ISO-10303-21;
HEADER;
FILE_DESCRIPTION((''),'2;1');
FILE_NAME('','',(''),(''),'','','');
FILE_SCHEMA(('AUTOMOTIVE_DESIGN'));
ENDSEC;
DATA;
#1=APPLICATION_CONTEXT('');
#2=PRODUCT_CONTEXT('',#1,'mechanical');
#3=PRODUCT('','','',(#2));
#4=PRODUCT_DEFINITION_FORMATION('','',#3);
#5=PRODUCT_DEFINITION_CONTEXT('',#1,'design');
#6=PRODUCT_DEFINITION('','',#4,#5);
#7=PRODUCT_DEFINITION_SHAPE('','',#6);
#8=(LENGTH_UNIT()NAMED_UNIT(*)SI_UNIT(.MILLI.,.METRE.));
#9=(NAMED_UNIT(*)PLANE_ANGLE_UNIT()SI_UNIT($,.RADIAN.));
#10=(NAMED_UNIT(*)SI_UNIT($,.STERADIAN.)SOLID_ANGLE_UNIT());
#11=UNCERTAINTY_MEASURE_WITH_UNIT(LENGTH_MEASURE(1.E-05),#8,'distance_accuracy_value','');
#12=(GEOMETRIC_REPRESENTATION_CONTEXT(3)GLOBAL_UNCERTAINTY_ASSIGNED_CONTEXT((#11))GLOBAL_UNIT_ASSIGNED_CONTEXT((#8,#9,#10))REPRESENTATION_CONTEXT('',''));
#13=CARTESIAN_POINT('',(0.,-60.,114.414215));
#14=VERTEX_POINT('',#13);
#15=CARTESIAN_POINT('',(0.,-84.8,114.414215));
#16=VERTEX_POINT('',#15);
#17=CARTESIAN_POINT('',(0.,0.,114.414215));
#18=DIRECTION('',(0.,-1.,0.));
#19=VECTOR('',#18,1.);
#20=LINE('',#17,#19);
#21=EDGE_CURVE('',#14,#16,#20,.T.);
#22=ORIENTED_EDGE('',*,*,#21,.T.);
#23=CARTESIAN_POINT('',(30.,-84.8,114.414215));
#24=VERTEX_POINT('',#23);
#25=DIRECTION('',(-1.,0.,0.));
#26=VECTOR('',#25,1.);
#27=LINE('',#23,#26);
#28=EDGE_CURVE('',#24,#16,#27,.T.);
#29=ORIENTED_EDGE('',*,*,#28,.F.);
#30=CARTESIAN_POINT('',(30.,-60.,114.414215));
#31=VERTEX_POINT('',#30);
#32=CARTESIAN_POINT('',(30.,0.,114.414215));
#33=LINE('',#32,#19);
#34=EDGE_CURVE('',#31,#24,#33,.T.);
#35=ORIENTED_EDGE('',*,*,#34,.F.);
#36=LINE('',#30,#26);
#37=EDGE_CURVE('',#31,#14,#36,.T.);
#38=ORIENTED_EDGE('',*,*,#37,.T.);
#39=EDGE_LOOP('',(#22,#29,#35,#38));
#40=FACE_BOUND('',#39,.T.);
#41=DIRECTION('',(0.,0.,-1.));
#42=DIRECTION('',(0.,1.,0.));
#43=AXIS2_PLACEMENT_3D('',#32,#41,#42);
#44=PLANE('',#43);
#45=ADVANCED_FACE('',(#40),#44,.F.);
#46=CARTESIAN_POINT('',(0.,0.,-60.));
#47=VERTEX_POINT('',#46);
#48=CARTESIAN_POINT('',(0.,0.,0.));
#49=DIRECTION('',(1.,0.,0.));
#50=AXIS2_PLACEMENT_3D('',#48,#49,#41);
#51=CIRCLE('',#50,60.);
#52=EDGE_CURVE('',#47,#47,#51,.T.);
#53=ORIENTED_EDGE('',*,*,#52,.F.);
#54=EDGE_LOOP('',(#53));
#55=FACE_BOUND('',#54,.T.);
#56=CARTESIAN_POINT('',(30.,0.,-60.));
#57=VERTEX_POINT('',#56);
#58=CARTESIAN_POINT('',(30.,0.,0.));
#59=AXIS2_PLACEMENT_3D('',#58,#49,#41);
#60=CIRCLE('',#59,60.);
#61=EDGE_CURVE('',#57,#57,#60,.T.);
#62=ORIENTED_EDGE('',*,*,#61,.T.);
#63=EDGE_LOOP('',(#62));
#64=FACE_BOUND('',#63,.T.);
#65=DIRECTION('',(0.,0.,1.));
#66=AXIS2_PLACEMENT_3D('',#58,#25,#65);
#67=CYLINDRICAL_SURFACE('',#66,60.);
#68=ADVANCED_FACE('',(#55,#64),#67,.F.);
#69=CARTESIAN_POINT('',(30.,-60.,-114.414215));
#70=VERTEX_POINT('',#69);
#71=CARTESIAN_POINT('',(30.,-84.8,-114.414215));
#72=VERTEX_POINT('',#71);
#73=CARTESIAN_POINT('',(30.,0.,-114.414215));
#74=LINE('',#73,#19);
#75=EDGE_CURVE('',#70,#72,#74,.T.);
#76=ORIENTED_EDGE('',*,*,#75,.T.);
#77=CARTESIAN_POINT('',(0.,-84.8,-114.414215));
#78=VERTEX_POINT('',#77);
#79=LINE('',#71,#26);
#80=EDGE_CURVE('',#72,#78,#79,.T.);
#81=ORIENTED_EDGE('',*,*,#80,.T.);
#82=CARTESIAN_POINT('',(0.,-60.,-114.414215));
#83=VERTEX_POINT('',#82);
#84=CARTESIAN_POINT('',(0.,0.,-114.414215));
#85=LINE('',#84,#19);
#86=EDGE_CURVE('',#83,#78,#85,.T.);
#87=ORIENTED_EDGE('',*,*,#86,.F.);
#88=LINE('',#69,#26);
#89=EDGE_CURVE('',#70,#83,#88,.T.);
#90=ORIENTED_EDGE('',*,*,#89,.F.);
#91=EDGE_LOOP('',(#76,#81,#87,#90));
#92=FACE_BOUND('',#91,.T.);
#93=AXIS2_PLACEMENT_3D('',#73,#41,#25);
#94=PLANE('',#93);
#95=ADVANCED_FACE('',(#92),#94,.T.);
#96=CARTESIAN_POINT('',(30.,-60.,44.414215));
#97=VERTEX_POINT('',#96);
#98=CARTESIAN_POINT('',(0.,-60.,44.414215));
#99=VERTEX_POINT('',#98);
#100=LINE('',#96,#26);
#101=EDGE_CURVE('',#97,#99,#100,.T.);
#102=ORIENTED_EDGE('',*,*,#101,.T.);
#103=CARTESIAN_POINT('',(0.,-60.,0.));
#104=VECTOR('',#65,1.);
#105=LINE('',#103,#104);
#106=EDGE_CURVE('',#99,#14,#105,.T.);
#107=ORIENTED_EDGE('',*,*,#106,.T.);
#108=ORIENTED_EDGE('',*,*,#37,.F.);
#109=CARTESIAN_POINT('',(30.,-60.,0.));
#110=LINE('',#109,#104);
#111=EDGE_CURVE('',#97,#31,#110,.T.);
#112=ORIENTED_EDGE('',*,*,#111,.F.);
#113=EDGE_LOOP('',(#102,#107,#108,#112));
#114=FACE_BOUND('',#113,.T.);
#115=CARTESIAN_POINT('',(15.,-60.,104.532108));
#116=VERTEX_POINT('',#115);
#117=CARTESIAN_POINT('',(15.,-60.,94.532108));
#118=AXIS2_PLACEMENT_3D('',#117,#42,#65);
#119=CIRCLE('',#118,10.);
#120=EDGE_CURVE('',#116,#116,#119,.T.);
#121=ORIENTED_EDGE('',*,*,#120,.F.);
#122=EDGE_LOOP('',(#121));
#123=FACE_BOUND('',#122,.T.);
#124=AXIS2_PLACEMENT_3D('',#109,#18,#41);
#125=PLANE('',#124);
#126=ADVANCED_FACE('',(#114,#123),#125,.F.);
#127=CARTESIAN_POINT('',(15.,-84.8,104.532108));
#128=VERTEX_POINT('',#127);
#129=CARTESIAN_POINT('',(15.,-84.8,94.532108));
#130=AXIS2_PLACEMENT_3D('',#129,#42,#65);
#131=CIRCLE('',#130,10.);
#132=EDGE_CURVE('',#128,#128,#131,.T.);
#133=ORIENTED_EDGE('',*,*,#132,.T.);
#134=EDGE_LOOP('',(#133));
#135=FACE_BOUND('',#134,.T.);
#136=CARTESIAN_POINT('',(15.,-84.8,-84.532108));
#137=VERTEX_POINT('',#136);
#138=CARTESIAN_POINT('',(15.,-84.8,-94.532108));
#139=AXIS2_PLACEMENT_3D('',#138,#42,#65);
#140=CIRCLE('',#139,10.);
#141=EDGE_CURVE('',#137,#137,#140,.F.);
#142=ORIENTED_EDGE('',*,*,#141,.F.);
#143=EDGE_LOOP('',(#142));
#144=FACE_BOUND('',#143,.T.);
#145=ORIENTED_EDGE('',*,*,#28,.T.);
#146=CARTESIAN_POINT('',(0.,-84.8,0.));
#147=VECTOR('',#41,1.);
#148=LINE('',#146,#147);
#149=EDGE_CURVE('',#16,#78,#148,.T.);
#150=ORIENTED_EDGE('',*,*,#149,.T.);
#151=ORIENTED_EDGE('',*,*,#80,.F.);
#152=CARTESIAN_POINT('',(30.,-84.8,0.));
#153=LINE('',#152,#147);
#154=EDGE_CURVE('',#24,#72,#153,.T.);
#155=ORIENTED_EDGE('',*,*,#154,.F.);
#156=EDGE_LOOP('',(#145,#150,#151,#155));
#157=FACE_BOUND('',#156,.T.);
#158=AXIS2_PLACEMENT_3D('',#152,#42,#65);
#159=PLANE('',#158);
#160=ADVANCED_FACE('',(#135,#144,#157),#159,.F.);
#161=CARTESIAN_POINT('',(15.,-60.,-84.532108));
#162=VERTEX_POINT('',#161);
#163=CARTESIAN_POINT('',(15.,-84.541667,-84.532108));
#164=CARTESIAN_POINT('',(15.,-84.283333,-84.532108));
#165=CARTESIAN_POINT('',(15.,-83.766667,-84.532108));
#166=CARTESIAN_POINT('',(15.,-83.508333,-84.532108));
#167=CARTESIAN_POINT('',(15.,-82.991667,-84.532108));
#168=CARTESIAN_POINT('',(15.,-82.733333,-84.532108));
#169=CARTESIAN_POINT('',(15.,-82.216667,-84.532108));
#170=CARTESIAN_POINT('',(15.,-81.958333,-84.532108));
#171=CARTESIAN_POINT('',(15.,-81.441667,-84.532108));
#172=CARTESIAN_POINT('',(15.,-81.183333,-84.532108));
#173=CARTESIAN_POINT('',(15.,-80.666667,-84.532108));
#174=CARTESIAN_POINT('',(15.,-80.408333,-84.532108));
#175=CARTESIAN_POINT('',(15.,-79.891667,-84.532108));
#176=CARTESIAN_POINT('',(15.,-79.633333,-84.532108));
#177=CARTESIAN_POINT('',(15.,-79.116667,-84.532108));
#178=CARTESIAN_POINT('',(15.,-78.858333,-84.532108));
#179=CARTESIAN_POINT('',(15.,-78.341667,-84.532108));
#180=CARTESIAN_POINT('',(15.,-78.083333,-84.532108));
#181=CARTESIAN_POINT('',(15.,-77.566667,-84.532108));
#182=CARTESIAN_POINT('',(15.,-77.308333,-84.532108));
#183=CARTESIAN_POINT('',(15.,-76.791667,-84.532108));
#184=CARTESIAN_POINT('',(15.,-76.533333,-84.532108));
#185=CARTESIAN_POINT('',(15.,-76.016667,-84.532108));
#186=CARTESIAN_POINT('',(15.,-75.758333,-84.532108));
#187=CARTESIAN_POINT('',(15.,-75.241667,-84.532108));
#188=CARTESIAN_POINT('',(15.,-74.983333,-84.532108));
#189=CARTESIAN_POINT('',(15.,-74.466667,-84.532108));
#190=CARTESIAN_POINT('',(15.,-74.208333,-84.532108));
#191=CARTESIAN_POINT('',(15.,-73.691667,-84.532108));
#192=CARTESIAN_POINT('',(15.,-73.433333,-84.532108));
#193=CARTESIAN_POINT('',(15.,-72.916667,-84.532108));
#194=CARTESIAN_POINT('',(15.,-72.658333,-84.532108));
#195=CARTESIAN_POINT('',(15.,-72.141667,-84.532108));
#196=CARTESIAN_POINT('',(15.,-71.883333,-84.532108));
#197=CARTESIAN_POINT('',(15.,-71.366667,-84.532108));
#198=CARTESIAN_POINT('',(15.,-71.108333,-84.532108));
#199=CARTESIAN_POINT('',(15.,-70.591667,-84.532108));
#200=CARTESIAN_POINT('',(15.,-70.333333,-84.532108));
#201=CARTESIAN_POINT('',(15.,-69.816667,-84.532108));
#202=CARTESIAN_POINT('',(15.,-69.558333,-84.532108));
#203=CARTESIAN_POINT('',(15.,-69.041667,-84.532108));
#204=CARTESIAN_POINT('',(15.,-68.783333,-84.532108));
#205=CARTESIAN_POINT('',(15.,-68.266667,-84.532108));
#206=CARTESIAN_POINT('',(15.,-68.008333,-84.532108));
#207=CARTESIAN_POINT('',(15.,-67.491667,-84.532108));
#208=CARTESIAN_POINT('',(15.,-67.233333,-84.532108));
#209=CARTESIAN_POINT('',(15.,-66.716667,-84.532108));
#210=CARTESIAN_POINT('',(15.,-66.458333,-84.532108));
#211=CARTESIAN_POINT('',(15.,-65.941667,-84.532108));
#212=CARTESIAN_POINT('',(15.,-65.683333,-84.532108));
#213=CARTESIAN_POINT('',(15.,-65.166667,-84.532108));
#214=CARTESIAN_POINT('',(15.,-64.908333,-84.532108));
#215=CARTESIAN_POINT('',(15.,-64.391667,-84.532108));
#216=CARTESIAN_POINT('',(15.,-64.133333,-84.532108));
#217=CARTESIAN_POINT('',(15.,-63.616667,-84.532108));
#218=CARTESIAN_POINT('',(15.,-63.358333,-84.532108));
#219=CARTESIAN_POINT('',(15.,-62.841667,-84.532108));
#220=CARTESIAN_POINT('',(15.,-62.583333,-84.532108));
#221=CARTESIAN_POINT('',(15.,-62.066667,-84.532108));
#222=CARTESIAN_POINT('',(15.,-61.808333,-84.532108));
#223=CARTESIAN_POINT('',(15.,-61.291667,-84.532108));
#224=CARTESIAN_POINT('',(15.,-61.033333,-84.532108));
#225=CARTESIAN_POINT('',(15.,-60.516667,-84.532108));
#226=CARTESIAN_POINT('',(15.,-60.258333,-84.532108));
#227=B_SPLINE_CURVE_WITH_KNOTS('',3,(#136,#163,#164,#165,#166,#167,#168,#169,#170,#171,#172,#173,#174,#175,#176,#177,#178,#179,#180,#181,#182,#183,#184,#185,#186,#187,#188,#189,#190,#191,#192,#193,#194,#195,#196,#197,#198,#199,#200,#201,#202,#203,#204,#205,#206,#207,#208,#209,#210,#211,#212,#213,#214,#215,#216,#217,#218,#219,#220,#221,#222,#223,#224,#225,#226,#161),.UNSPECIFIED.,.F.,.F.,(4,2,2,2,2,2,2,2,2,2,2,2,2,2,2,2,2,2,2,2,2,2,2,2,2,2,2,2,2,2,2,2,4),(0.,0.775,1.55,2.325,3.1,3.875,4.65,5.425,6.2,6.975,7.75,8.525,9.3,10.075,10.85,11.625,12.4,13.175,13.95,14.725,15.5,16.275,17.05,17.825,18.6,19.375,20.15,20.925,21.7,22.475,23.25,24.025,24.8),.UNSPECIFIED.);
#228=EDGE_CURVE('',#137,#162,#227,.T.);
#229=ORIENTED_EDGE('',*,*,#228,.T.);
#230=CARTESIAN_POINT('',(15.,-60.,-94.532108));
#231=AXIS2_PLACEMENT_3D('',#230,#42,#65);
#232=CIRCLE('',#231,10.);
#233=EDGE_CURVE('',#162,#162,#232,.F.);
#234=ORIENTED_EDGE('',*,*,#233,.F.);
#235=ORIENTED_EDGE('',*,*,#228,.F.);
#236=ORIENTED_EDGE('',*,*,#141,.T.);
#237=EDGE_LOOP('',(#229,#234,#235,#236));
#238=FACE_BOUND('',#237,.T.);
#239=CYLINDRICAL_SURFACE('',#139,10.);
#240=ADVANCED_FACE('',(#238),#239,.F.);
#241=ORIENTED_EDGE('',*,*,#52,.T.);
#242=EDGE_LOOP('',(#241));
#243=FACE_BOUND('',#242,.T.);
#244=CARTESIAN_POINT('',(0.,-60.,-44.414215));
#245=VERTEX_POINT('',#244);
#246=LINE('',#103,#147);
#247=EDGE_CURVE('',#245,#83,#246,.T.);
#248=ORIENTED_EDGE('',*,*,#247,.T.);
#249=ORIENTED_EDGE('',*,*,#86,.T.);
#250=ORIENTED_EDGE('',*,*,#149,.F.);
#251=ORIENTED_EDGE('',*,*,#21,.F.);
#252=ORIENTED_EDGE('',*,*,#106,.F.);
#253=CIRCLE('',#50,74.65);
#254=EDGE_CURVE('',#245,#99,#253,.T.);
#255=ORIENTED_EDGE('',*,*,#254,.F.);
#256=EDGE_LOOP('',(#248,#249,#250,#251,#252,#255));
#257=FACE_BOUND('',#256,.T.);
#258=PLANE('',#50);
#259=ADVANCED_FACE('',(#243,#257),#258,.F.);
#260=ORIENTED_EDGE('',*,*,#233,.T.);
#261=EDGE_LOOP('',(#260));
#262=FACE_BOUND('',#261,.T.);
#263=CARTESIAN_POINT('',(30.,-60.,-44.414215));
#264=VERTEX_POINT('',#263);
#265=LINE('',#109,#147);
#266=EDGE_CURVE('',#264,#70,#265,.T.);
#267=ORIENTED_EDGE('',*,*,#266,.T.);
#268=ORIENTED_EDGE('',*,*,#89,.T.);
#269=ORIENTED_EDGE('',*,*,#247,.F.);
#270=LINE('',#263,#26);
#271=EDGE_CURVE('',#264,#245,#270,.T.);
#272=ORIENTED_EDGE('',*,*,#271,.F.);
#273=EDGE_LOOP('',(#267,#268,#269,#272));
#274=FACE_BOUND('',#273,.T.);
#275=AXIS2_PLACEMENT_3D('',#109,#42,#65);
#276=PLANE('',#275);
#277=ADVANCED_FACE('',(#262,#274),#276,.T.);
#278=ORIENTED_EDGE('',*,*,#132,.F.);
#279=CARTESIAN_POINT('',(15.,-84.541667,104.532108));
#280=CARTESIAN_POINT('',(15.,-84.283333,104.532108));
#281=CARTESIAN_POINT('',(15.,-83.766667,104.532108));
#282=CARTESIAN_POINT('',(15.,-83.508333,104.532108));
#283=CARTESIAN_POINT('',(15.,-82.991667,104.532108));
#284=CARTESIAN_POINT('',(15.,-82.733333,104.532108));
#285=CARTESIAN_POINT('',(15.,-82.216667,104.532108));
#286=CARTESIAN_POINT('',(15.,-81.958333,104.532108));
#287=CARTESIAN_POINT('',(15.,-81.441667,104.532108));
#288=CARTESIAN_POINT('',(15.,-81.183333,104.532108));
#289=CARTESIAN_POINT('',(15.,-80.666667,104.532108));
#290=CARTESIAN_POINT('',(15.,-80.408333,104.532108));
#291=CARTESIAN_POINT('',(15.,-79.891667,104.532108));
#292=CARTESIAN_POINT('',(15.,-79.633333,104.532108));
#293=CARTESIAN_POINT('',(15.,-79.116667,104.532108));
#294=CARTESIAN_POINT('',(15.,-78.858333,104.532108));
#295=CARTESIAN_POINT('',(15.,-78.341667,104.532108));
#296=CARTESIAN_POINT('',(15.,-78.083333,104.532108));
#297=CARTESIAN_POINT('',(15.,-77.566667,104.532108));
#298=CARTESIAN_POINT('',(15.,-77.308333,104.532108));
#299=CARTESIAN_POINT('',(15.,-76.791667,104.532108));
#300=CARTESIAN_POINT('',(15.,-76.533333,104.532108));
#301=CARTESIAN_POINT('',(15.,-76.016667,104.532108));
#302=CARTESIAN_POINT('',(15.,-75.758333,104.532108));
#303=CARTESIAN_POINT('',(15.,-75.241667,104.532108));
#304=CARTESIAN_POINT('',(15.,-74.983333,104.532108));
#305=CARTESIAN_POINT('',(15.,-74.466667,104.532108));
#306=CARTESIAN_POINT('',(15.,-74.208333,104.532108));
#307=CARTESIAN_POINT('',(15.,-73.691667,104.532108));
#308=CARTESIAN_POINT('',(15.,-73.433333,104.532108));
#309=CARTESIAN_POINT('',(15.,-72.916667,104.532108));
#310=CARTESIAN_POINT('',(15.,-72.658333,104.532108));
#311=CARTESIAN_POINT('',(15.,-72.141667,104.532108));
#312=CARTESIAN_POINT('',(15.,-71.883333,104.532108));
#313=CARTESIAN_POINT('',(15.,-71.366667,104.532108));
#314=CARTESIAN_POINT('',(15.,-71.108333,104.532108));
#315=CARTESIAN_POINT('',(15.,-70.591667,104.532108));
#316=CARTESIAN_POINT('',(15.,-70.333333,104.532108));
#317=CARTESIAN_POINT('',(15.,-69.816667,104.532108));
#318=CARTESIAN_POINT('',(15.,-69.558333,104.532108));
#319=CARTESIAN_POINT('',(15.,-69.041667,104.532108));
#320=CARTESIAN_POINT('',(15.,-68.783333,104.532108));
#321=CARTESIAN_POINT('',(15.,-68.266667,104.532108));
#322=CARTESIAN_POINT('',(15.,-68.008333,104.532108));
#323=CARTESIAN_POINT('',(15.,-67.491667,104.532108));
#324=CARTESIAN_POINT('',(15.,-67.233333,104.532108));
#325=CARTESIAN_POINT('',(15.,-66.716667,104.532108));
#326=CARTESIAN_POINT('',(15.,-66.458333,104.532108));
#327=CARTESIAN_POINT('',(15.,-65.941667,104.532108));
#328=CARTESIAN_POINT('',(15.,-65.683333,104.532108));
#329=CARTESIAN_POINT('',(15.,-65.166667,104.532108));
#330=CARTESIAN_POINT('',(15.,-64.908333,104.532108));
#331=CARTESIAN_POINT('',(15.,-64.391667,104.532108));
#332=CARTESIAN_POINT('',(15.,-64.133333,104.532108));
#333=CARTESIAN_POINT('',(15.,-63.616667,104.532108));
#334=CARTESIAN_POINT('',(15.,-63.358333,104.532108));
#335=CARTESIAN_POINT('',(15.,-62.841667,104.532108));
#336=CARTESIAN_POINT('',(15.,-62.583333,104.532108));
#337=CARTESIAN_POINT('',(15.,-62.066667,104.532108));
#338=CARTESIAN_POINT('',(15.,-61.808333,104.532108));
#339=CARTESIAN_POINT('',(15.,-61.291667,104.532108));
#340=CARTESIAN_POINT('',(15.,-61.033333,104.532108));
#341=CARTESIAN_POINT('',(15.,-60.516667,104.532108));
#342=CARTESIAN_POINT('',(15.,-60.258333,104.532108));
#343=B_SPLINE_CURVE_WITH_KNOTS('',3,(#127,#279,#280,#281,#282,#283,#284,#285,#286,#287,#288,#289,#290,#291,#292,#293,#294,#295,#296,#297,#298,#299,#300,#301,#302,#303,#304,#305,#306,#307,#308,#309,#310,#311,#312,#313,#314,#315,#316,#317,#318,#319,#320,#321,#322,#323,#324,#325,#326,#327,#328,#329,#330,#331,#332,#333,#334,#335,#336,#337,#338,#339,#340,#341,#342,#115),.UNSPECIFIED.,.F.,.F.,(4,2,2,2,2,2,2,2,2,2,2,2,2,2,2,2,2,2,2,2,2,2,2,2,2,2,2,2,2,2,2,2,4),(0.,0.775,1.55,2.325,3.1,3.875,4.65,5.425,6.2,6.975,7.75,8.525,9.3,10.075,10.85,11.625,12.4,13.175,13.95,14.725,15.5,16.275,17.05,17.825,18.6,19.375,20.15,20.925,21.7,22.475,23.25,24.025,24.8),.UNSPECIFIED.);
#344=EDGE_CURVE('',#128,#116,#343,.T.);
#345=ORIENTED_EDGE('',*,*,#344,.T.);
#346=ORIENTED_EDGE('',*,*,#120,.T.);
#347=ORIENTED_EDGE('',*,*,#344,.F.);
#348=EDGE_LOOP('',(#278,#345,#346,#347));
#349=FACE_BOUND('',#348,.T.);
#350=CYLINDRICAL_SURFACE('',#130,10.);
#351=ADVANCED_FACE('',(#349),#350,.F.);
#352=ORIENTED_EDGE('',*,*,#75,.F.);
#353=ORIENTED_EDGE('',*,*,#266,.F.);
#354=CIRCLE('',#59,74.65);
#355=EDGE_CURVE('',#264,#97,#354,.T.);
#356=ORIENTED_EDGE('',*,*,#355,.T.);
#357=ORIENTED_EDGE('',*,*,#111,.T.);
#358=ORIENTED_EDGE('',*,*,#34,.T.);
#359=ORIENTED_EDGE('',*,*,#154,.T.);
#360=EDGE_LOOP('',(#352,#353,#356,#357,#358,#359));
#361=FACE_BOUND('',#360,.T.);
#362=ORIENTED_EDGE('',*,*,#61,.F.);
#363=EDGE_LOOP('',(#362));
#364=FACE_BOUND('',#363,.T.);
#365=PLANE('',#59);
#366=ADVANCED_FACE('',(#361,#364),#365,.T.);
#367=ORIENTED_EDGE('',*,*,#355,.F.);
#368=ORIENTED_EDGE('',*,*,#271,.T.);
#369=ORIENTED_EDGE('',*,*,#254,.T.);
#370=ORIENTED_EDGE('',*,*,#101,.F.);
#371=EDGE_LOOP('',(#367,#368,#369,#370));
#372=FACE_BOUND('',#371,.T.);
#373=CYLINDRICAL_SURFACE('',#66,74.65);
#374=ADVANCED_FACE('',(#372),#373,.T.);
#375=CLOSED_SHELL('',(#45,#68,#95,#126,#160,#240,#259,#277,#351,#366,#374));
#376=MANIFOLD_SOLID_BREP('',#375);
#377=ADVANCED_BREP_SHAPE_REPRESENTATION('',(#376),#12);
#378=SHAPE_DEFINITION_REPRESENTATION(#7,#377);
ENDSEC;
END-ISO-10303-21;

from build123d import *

# Parameters (mm, degrees)
SKETCH1_R           = 60
BOSS_EXTRUDE1_DEPTH = 30
SKETCH2_R           = 10
CUT_EXTRUDE1_DEPTH  = 180.223980285


with BuildPart() as part:
    # Sketch1 → Boss-Extrude1 (new body)
    with BuildSketch(Plane(origin=(0, 0, 0), x_dir=(0, 0, -1), z_dir=(1, 0, 0))):
        with BuildLine():
            Line((114.414215067, -60), (44.414215067, -60))
            ThreePointArc((44.414215067, -60), (0, 74.65), (-44.414215067, -60))
            Line((-44.414215067, -60), (-114.414215067, -60))
            Line((-114.414215067, -60), (-114.414215067, -84.8))
            Line((-114.414215067, -84.8), (114.414215067, -84.8))
            Line((114.414215067, -84.8), (114.414215067, -60))
        make_face()
        Circle(SKETCH1_R, mode=Mode.SUBTRACT)
    extrude(amount=BOSS_EXTRUDE1_DEPTH)

    # Sketch2 → Cut-Extrude1 (cut, through all)
    with BuildSketch(Plane(origin=(0, -60, 0), x_dir=(1, 0, 0), z_dir=(0, 1, 0))):
        with Locations(Location((15, -94.532107533, 0), (0, 0, 270))):
            Circle(SKETCH2_R)
        with Locations(Location((15, 94.532107533, 0), (0, 0, 270))):
            Circle(SKETCH2_R)
    extrude(amount=-CUT_EXTRUDE1_DEPTH, mode=Mode.SUBTRACT)


solid = part.part
